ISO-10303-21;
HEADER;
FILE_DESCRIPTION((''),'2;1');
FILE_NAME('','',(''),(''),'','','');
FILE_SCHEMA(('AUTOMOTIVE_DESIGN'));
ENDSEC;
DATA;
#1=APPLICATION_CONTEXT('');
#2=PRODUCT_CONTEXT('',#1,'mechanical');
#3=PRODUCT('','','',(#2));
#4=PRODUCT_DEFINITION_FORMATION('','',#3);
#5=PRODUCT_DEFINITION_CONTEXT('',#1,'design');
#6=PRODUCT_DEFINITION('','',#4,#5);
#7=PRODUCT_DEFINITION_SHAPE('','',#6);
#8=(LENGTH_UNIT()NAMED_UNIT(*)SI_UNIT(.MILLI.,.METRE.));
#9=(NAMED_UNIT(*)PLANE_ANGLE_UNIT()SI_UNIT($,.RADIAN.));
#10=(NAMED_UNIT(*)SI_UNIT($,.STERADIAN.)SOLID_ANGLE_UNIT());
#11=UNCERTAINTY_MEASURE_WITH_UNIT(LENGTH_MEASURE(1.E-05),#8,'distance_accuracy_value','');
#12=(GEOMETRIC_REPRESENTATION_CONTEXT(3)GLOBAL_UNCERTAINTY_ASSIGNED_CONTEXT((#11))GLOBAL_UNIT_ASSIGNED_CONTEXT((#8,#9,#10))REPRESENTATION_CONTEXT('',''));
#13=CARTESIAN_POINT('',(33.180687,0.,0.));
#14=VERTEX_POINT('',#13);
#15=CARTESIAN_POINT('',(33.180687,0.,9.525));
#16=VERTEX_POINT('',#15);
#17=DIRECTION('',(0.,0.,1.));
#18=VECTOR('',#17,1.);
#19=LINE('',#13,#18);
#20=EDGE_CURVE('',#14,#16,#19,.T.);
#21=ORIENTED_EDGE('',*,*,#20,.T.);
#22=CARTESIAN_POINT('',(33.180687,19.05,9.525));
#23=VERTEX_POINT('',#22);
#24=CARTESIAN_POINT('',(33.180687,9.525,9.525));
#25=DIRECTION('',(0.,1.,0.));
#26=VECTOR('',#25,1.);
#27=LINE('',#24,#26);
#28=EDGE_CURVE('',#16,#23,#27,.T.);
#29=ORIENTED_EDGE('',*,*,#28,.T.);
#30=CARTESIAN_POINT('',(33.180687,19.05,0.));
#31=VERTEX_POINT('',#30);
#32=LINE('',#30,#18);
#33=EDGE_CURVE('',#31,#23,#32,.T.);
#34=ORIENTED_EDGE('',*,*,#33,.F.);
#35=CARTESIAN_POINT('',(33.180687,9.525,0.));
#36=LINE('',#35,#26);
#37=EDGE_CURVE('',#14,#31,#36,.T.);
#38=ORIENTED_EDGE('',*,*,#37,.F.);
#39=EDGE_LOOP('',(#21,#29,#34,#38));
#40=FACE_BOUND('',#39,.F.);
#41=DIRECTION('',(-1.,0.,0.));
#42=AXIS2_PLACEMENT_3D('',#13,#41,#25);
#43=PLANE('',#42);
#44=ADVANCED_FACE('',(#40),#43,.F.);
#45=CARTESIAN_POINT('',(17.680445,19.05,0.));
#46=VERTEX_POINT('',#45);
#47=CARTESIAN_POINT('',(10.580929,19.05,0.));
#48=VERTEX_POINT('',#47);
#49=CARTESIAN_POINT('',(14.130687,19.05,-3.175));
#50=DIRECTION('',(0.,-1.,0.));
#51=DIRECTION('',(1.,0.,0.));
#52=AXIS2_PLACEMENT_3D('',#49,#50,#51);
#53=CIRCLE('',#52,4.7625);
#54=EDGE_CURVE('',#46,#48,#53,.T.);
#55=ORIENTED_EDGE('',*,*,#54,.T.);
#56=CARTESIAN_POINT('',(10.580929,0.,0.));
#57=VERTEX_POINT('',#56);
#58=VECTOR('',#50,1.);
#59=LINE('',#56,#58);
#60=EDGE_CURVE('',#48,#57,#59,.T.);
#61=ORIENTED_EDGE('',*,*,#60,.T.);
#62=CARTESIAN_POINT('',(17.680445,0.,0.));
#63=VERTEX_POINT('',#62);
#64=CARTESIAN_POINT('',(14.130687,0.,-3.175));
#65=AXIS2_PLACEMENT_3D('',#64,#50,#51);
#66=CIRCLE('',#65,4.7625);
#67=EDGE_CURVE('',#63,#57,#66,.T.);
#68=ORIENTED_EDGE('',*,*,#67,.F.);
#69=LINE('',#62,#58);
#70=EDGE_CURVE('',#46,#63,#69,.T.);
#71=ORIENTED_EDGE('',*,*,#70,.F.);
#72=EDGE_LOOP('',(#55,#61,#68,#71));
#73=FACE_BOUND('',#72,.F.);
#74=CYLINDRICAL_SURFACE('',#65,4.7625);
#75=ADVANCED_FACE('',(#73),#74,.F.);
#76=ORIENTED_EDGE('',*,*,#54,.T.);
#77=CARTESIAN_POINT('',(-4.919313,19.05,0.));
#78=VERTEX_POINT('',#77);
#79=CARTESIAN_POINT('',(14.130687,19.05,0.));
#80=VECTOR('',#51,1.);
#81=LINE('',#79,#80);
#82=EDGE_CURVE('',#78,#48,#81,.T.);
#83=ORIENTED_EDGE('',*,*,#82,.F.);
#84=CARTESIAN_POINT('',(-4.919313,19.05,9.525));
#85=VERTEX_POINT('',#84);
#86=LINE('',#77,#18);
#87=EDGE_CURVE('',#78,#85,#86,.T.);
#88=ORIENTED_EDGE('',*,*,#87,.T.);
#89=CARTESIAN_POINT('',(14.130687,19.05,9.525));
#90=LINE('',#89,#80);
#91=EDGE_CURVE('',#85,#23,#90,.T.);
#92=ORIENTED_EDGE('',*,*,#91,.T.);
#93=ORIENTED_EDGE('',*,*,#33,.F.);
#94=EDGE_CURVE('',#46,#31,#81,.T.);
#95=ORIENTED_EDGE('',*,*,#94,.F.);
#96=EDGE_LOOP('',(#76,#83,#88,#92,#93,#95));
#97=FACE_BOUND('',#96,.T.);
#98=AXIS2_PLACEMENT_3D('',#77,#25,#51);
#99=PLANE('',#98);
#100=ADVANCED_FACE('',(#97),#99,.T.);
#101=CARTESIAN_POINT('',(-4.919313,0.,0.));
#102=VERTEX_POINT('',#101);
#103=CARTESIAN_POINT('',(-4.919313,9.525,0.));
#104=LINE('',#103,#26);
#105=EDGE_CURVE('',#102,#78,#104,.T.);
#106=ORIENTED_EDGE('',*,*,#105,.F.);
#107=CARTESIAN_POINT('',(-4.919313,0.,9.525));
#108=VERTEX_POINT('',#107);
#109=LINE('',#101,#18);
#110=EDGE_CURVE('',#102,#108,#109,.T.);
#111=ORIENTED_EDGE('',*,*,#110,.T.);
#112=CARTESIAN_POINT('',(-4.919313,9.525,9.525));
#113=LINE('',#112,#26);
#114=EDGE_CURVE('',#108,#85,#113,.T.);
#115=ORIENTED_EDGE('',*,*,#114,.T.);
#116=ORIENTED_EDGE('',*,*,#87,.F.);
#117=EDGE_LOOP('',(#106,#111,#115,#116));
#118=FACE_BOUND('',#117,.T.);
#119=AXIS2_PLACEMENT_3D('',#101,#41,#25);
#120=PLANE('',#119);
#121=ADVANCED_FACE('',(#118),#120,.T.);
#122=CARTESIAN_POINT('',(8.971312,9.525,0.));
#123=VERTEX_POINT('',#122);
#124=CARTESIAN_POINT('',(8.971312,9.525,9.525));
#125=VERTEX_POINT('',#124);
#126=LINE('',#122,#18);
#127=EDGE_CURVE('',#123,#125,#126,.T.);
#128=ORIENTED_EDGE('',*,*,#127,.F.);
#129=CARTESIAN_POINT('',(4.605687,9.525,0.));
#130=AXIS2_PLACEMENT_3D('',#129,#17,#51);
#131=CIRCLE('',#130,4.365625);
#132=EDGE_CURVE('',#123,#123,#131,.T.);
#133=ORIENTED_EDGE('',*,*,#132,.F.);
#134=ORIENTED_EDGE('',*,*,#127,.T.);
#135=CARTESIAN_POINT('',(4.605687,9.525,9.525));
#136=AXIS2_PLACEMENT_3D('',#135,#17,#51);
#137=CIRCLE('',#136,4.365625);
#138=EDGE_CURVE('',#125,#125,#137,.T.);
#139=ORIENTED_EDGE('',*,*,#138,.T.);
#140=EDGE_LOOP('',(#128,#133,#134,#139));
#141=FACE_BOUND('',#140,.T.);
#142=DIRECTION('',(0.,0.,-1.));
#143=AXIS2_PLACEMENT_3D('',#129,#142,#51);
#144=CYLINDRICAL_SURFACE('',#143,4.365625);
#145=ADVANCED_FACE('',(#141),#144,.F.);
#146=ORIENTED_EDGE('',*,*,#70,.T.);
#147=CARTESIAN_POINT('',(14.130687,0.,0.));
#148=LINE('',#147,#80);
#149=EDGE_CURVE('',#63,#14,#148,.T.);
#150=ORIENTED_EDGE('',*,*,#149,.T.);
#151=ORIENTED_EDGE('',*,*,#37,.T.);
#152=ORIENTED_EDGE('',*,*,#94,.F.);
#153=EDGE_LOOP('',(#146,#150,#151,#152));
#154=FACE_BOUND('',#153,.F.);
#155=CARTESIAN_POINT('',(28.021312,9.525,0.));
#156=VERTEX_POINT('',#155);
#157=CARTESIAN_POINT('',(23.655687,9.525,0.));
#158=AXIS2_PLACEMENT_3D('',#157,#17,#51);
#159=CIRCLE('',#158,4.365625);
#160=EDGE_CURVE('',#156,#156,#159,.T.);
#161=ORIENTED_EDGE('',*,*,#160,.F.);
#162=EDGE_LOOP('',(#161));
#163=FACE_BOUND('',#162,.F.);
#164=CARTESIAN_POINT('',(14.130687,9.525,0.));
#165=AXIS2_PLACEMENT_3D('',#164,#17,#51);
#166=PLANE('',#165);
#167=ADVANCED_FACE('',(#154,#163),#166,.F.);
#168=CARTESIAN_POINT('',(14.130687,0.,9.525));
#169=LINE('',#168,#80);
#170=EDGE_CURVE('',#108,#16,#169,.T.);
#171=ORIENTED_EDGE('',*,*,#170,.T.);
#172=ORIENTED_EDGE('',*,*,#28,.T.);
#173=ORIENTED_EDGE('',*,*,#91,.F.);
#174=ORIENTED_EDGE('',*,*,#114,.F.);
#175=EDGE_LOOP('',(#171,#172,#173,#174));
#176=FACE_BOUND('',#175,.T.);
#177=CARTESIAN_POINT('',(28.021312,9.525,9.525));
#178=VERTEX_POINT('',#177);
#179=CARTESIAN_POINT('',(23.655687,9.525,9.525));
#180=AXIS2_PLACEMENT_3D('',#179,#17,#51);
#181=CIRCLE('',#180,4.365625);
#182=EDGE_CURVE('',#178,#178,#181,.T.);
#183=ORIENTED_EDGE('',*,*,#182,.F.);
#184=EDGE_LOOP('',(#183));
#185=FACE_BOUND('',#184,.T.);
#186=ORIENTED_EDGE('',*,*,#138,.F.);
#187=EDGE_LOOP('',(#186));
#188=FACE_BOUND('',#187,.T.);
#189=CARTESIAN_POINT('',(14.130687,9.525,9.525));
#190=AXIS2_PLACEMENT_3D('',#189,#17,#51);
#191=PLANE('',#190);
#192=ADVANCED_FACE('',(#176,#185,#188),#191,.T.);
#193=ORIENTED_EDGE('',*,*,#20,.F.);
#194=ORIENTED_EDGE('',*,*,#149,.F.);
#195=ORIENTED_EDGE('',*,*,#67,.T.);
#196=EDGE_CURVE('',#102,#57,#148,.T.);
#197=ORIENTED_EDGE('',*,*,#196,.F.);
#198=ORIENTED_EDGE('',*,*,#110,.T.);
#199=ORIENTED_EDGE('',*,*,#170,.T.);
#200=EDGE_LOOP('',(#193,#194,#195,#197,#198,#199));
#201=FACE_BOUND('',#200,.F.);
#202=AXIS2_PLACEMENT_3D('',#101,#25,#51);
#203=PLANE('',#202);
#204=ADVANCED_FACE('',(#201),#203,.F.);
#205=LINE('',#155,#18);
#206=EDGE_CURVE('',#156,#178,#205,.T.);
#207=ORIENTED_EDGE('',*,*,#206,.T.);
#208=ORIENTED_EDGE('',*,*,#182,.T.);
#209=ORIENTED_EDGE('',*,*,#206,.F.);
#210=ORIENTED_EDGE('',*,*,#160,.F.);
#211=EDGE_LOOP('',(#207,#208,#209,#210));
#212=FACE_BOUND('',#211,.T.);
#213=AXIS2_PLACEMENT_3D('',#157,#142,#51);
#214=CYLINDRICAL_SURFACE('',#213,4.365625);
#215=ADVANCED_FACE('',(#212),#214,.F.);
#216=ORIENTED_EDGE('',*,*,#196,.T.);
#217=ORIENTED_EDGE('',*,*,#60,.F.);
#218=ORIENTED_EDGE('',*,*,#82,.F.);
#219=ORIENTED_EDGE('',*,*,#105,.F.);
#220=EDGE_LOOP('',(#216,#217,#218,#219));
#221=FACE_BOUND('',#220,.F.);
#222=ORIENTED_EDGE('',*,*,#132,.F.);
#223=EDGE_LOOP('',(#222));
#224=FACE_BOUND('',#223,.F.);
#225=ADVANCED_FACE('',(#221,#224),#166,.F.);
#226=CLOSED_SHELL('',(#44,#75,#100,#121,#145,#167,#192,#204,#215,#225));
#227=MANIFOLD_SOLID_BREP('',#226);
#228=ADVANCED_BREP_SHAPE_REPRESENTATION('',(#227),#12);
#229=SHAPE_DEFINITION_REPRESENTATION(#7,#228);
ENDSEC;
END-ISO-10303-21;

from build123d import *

# Parameters (mm, degrees)
F0_W     = 38.1
F0_H     = 19.05
F0_R     = 4.365625
F1_DEPTH = 9.525
F2_R     = 4.7625
F3_DEPTH = 25.4


with BuildPart() as f1:
    # F0 (on Top) → F1 (new body)
    with BuildSketch(Plane.XY):
        with Locations((14.130687, 9.525)):
            Rectangle(F0_W, F0_H)
        with Locations((4.605687, 9.525)):
            Circle(F0_R, mode=Mode.SUBTRACT)
        with Locations((23.655687, 9.525)):
            Circle(F0_R, mode=Mode.SUBTRACT)
    extrude(amount=F1_DEPTH)

    # F2 (on face) → F3 (cut)
    with BuildSketch(Plane.XZ):
        with Locations((14.130687, -3.175)):
            Circle(F2_R)
    extrude(amount=-F3_DEPTH, mode=Mode.SUBTRACT)


solid = f1.part
